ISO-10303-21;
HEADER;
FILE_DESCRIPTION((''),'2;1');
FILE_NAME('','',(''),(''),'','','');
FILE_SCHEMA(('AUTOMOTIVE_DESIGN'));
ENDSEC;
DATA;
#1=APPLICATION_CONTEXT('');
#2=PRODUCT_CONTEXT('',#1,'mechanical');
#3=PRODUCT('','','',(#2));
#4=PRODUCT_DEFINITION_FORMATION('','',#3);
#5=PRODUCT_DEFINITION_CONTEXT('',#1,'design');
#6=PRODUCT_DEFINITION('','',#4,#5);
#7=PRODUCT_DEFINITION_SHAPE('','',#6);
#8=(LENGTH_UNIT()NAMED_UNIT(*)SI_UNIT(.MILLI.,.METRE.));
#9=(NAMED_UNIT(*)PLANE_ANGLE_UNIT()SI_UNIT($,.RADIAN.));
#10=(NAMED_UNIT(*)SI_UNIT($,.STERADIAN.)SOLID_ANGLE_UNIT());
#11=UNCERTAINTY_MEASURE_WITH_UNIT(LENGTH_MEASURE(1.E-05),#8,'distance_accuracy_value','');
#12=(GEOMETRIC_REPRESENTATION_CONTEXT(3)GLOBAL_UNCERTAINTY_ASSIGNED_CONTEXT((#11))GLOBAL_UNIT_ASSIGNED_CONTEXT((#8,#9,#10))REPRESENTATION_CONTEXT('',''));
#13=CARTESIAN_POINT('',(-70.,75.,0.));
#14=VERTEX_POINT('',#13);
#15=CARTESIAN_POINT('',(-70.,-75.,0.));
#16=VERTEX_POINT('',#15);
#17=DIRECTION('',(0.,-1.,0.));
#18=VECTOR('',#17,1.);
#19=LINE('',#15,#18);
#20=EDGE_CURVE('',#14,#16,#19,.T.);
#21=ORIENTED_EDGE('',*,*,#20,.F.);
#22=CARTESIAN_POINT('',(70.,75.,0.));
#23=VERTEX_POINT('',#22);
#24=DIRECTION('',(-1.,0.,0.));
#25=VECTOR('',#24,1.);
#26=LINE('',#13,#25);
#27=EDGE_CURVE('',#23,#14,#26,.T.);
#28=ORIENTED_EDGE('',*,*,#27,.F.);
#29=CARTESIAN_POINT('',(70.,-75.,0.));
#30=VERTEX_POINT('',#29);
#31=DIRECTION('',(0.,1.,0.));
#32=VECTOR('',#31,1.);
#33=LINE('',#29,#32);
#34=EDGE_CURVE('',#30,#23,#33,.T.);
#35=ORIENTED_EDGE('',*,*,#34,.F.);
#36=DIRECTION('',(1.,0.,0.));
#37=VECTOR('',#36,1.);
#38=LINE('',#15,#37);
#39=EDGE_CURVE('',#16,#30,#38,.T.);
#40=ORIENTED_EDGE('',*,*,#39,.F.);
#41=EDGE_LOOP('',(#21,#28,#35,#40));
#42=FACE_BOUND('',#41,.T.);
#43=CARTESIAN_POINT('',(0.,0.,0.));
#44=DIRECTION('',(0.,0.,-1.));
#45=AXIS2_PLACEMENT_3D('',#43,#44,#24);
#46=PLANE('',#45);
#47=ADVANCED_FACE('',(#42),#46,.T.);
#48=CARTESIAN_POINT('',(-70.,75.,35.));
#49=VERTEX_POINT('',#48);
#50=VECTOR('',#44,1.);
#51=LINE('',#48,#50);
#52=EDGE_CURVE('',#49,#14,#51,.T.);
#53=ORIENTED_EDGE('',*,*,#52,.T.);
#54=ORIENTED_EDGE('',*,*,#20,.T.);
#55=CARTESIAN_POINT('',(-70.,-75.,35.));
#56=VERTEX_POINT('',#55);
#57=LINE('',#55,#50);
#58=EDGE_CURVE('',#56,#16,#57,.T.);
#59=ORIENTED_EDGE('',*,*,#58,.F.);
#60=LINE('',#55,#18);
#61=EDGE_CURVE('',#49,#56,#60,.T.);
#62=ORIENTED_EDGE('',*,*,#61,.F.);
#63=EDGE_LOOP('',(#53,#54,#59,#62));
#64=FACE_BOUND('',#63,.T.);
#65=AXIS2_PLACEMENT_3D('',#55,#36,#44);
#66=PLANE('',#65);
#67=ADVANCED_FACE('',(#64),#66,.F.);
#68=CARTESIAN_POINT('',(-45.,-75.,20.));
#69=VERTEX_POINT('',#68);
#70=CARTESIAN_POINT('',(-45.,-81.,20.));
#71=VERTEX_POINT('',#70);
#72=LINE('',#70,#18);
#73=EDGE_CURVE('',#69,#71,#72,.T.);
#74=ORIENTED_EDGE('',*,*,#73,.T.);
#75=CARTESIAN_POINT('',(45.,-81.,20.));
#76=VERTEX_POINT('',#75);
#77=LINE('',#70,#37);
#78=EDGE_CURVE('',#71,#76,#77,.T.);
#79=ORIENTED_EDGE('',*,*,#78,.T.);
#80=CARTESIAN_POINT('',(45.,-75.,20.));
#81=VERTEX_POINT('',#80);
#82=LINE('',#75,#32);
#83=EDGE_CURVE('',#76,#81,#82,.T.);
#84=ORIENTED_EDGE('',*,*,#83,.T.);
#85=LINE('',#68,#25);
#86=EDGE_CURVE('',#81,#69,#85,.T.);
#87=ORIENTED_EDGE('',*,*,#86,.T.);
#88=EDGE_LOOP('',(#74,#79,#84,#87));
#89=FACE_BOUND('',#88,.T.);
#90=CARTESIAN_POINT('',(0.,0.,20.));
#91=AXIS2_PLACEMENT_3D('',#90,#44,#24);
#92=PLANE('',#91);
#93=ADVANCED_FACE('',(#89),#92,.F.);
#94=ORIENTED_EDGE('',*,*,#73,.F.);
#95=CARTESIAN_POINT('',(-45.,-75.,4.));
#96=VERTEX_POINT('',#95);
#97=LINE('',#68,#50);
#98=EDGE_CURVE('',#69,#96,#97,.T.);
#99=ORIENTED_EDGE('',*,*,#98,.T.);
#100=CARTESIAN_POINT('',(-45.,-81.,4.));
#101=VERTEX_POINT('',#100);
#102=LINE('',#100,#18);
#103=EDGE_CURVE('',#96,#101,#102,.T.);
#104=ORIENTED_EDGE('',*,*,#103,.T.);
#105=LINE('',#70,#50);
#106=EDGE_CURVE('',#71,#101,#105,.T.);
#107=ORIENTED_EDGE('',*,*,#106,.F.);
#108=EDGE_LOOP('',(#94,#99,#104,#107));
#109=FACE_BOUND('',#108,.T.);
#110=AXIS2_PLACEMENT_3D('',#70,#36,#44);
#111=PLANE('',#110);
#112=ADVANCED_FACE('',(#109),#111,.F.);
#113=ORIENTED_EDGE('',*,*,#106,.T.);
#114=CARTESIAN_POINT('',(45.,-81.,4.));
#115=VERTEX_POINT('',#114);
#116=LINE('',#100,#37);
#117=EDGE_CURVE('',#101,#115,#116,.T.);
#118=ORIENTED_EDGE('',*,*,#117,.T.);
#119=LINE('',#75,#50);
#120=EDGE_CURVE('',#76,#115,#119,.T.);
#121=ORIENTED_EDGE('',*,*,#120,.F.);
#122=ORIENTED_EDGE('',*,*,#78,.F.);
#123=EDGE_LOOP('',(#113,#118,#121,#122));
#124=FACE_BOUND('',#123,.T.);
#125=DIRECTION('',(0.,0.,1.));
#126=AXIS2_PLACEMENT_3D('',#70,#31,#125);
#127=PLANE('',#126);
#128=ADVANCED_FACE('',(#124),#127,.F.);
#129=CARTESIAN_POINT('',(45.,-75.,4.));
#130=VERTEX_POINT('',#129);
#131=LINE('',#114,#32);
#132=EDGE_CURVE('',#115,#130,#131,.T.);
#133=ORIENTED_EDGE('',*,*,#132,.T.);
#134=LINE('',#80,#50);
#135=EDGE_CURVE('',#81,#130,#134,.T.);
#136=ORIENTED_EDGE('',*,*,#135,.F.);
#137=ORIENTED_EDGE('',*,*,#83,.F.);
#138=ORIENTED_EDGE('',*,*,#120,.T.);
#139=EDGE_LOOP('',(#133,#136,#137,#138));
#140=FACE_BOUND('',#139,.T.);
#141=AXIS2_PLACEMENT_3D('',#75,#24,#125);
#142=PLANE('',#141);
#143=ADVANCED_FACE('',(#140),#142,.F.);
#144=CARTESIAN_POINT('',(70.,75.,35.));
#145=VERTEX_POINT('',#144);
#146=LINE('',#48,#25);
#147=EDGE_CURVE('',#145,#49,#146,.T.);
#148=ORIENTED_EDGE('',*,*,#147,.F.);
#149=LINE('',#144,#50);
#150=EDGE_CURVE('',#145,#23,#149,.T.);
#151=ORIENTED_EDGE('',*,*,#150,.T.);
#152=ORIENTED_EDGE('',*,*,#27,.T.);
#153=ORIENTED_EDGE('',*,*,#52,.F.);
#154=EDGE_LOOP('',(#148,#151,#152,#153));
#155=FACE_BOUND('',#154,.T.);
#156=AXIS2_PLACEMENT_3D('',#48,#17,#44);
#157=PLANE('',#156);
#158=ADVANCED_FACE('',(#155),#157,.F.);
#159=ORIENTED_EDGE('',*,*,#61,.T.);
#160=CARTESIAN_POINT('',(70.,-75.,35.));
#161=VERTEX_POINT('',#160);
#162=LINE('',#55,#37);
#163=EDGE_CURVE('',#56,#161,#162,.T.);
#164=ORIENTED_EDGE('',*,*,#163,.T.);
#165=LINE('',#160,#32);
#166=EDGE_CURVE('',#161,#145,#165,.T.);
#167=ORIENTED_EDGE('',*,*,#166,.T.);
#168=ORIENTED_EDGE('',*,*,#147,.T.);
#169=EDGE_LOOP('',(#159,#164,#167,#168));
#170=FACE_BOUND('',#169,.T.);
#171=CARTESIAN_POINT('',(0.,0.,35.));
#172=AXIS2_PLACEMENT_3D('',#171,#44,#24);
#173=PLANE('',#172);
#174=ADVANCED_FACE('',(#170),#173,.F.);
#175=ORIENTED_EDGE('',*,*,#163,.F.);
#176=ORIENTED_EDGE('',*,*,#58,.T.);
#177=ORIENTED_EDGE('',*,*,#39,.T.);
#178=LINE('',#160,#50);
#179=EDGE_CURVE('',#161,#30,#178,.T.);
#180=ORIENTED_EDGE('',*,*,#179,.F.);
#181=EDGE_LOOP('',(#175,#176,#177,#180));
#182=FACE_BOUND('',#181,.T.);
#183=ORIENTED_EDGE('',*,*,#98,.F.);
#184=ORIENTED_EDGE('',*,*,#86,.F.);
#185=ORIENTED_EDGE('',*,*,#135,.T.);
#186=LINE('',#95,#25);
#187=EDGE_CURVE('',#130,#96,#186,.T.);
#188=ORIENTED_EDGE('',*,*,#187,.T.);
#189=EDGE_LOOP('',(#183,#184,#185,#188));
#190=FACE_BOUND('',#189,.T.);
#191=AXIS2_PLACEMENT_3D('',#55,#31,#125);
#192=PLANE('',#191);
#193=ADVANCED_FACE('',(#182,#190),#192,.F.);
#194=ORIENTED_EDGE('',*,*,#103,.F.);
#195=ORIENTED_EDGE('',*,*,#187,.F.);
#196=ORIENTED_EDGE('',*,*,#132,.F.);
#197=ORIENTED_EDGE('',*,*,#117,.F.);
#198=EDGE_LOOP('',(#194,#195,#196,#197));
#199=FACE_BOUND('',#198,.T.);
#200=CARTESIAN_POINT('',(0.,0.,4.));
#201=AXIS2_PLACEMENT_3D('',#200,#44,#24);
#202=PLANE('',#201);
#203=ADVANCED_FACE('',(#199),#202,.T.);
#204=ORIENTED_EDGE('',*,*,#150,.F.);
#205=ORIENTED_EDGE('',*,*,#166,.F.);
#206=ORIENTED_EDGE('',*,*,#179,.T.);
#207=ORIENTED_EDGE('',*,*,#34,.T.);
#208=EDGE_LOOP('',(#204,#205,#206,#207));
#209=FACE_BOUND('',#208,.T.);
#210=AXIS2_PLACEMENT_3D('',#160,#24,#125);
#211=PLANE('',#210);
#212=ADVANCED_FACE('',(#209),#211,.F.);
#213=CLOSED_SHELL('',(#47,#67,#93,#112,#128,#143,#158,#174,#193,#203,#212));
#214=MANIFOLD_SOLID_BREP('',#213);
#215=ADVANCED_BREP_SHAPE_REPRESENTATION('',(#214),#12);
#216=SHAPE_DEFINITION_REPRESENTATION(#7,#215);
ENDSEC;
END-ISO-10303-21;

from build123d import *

# Parameters (mm, degrees)
ESQUISSE1_W                   = 140
ESQUISSE1_H                   = 150
BOITIER_ALIMENTATION_5V_DEPTH = 35
BORNIER_PUISSANCE_START       = 4
ESQUISSE2_W                   = 90
ESQUISSE2_H                   = 6
BORNIER_PUISSANCE_DEPTH       = 16


with BuildPart() as part:
    # Esquisse1 → Boitier_alimentation_5V (new body)
    with BuildSketch(Plane.XY):
        Rectangle(ESQUISSE1_W, ESQUISSE1_H)
    extrude(amount=BOITIER_ALIMENTATION_5V_DEPTH)

    # Esquisse2 → Bornier_puissance (add)
    with BuildSketch(Plane.XY.offset(BORNIER_PUISSANCE_START)):
        with Locations((0, -78)):
            Rectangle(ESQUISSE2_W, ESQUISSE2_H)
    extrude(amount=BORNIER_PUISSANCE_DEPTH)


solid = part.part
